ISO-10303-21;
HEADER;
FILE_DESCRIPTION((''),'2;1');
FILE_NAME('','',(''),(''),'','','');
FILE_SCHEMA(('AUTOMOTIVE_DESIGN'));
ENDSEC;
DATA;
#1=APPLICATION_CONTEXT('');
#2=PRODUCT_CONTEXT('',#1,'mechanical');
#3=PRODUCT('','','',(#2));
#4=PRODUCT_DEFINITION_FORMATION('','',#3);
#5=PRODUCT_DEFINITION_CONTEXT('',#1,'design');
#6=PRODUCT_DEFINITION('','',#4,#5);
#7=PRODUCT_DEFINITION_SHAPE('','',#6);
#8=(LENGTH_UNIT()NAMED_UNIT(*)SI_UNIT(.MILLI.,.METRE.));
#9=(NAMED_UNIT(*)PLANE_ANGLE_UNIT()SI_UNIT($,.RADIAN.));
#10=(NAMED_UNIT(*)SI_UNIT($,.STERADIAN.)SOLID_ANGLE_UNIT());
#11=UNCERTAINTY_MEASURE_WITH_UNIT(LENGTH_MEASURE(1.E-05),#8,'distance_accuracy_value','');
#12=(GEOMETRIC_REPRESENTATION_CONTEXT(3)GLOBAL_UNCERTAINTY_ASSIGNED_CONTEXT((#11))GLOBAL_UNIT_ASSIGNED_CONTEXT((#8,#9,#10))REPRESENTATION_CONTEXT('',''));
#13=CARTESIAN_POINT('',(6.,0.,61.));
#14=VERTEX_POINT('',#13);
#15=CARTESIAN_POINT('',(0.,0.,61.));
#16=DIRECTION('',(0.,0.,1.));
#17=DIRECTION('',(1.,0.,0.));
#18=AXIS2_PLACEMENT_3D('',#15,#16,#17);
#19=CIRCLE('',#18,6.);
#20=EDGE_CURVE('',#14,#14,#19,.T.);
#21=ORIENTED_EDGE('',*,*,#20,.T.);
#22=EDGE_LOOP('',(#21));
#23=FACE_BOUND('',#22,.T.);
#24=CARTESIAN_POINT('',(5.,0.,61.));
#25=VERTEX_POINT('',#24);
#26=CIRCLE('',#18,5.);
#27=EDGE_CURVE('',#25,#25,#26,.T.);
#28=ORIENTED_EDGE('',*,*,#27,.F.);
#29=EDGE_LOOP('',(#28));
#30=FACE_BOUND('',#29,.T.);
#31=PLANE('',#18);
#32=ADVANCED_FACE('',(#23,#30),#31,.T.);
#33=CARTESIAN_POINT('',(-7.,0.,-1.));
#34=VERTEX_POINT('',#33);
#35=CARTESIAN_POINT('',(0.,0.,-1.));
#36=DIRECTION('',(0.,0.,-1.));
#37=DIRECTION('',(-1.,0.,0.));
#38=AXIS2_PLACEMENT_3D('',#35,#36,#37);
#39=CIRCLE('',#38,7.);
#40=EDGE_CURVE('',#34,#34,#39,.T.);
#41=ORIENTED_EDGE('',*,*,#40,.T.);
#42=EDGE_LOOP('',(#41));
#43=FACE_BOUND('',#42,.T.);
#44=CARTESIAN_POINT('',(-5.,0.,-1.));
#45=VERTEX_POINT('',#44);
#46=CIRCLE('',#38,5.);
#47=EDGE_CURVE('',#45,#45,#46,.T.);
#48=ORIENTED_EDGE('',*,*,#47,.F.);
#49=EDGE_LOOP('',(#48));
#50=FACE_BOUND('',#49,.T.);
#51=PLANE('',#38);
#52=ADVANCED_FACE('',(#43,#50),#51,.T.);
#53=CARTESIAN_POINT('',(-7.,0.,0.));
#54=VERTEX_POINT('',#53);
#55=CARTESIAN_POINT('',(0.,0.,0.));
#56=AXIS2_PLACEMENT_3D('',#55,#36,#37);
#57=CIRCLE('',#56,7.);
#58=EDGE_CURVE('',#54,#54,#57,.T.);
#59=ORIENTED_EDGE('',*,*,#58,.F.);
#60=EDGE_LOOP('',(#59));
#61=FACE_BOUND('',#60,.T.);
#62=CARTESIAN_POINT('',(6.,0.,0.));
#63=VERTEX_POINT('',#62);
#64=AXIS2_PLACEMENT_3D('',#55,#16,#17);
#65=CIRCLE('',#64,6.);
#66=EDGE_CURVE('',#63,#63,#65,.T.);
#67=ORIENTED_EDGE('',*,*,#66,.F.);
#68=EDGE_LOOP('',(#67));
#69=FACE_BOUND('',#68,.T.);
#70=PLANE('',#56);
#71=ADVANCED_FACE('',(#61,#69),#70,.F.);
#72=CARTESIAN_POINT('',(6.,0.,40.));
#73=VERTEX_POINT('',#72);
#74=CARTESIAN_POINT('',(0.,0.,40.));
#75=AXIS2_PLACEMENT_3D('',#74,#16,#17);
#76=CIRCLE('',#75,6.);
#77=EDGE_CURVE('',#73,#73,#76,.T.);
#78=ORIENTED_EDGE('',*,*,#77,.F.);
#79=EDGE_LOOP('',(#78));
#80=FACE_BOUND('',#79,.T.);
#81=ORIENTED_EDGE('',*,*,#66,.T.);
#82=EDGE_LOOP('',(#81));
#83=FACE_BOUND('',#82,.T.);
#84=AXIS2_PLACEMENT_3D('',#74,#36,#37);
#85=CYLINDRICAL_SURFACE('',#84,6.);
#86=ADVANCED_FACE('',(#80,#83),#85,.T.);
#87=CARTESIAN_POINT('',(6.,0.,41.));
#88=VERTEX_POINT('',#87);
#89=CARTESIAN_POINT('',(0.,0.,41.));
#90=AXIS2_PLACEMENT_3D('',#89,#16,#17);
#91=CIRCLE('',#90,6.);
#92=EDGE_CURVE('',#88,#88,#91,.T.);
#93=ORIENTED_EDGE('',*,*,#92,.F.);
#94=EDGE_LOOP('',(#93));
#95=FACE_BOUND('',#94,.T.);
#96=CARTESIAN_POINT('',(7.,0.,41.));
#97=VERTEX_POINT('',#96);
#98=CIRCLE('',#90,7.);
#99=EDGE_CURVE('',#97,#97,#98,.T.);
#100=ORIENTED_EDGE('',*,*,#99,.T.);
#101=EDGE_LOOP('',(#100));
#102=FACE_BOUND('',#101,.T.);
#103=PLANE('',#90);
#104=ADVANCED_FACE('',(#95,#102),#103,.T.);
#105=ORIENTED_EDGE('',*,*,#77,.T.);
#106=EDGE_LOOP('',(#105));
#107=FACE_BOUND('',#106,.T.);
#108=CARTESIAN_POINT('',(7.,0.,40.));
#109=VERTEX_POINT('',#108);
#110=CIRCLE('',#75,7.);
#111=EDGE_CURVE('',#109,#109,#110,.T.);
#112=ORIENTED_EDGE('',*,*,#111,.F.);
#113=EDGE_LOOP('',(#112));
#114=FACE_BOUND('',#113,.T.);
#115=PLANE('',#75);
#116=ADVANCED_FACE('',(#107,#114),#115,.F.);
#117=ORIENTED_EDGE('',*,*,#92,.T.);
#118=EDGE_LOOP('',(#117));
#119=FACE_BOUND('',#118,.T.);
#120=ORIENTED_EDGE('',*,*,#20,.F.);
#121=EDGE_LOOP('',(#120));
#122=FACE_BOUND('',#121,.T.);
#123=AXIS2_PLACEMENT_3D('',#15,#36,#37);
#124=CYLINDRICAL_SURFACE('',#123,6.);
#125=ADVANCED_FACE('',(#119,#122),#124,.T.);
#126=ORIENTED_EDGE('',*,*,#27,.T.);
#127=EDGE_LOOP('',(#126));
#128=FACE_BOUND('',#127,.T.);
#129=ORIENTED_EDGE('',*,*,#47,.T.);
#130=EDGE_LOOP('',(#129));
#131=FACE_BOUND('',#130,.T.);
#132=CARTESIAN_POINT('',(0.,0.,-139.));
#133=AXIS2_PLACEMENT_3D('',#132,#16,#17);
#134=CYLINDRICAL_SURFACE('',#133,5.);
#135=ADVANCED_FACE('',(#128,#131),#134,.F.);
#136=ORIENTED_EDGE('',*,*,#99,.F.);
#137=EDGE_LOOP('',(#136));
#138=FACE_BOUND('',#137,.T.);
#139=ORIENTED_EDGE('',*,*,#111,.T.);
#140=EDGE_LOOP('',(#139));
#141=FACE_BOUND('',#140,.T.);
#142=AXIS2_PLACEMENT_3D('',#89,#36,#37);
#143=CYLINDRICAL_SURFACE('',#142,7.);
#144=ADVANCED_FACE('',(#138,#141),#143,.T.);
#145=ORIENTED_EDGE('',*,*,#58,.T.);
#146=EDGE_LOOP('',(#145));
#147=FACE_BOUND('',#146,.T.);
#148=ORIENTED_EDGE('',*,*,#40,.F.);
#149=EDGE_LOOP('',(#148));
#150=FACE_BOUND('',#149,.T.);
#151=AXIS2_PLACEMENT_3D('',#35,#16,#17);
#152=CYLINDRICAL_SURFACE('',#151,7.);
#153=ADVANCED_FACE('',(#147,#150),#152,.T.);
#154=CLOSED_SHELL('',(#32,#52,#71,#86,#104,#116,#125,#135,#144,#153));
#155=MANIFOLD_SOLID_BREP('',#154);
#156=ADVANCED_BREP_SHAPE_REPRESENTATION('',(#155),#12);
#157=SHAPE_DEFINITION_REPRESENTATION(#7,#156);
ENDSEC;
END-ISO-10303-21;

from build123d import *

# Parameters (mm, degrees)
SKETCH1_R           = 6
BOSS_EXTRUDE1_DEPTH = 40
SKETCH2_R           = 7
BOSS_EXTRUDE2_DEPTH = 1
BOSS_EXTRUDE3_START = 1
SKETCH3_R           = 7
BOSS_EXTRUDE3_DEPTH = 1
SKETCH4_R           = 6
BOSS_EXTRUDE4_DEPTH = 20
SKETCH5_R           = 5
CUT_EXTRUDE1_DEPTH  = 200


with BuildPart() as part:
    # Sketch1 → Boss-Extrude1 (new body)
    with BuildSketch(Plane.XY):
        Circle(SKETCH1_R)
    extrude(amount=BOSS_EXTRUDE1_DEPTH)

    # Sketch2 → Boss-Extrude2 (add)
    with BuildSketch(Plane(origin=(0, 0, 0), x_dir=(-1, 0, 0), z_dir=(0, 0, -1))):
        Circle(SKETCH2_R)
    extrude(amount=BOSS_EXTRUDE2_DEPTH)

    # Sketch3 → Boss-Extrude3 (add)
    with BuildSketch(Plane.XY.offset(40).offset(BOSS_EXTRUDE3_START)):
        with Locations(Location((0, 0, 0), (0, 0, 180))):
            Circle(SKETCH3_R)
    extrude(amount=-BOSS_EXTRUDE3_DEPTH)

    # Sketch4 → Boss-Extrude4 (add)
    with BuildSketch(Plane.XY.offset(41)):
        Circle(SKETCH4_R)
    extrude(amount=BOSS_EXTRUDE4_DEPTH)

    # Sketch5 → Cut-Extrude1 (cut)
    with BuildSketch(Plane.XY.offset(61)):
        Circle(SKETCH5_R)
    extrude(amount=-CUT_EXTRUDE1_DEPTH, mode=Mode.SUBTRACT)


solid = part.part
